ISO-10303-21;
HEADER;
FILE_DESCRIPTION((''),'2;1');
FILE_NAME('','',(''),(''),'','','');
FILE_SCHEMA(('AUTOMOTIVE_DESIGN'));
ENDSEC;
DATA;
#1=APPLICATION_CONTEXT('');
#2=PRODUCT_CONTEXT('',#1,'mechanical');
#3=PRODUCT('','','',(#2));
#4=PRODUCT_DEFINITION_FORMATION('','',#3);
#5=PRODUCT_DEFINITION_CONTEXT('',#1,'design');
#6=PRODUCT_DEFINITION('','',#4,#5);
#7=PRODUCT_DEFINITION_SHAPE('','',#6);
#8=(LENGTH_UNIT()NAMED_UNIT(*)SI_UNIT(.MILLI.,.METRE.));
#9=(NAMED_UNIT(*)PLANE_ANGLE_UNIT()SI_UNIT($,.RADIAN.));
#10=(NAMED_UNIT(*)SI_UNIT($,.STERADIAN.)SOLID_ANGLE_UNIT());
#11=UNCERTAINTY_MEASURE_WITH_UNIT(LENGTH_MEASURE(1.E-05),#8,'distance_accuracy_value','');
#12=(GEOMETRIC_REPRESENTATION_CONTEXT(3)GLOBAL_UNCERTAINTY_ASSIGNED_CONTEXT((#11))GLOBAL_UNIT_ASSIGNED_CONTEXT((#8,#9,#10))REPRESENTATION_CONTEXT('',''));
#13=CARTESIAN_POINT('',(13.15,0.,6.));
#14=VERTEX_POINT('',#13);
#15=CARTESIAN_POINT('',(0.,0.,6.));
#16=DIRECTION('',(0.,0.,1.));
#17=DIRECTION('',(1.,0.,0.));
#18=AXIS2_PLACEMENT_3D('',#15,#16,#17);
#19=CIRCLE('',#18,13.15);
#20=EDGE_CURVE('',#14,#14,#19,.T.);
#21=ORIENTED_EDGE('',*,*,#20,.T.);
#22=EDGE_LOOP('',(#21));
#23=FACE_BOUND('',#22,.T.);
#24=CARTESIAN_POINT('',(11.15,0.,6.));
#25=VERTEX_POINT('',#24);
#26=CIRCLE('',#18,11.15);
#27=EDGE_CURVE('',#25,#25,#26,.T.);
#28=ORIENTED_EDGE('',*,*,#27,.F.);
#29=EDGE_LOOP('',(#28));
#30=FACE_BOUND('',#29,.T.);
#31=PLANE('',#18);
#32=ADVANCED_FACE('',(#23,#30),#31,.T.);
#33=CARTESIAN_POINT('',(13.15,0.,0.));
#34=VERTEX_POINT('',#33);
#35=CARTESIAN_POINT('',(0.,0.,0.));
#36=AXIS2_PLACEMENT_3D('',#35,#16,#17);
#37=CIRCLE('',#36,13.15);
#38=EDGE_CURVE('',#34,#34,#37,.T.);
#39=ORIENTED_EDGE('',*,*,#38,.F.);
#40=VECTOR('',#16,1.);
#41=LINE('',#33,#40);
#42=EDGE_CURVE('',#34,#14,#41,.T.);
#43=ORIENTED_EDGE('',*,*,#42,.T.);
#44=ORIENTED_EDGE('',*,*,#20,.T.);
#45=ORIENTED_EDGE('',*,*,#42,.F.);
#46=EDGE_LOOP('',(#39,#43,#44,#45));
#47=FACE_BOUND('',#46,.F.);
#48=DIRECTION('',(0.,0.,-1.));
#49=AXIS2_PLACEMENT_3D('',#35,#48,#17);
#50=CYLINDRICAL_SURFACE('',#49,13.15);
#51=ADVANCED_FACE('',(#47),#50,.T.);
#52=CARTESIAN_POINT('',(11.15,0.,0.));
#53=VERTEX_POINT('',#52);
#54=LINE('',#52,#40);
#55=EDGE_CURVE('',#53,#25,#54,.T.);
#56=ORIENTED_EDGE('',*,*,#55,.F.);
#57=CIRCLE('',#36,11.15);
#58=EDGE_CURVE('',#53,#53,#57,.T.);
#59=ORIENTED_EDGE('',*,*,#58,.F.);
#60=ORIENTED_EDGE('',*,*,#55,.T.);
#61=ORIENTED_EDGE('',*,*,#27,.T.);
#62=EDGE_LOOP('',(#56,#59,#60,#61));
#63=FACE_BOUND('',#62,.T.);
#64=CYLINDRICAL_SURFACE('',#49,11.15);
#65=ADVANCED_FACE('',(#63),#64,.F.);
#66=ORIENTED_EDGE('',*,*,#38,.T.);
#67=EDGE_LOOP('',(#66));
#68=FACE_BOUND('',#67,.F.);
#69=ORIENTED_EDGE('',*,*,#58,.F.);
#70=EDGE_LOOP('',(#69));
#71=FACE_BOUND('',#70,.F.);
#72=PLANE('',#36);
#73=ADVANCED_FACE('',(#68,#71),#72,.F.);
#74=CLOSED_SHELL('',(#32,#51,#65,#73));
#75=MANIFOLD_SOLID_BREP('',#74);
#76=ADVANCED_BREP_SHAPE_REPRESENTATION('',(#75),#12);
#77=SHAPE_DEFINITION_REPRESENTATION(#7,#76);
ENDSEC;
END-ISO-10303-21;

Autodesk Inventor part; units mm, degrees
ref_plane "YZ Plane" through (0, 0, 0) normal (1, 0, 0) x (0, 1, 0)
ref_plane "XZ Plane" through (0, 0, 0) normal (0, 1, 0) x (-1, 0, 0)
ref_plane "XY Plane" through (0, 0, 0) normal (0, 0, 1) x (1, 0, 0)
sketch "Sketch1" plane through (0, 0, 0) normal (0, 0, 1) x (1, 0, 0)
  circle A0 centre (0, 0) radius 11.15
  circle A1 centre (0, 0) radius 13.15
  dimension "d2" = 22.3
  dimension "d3" = 26.3
extrude "Extrusion1" add sketch "Sketch1" along normal blind 6
properties part number "Piston_spacers"
